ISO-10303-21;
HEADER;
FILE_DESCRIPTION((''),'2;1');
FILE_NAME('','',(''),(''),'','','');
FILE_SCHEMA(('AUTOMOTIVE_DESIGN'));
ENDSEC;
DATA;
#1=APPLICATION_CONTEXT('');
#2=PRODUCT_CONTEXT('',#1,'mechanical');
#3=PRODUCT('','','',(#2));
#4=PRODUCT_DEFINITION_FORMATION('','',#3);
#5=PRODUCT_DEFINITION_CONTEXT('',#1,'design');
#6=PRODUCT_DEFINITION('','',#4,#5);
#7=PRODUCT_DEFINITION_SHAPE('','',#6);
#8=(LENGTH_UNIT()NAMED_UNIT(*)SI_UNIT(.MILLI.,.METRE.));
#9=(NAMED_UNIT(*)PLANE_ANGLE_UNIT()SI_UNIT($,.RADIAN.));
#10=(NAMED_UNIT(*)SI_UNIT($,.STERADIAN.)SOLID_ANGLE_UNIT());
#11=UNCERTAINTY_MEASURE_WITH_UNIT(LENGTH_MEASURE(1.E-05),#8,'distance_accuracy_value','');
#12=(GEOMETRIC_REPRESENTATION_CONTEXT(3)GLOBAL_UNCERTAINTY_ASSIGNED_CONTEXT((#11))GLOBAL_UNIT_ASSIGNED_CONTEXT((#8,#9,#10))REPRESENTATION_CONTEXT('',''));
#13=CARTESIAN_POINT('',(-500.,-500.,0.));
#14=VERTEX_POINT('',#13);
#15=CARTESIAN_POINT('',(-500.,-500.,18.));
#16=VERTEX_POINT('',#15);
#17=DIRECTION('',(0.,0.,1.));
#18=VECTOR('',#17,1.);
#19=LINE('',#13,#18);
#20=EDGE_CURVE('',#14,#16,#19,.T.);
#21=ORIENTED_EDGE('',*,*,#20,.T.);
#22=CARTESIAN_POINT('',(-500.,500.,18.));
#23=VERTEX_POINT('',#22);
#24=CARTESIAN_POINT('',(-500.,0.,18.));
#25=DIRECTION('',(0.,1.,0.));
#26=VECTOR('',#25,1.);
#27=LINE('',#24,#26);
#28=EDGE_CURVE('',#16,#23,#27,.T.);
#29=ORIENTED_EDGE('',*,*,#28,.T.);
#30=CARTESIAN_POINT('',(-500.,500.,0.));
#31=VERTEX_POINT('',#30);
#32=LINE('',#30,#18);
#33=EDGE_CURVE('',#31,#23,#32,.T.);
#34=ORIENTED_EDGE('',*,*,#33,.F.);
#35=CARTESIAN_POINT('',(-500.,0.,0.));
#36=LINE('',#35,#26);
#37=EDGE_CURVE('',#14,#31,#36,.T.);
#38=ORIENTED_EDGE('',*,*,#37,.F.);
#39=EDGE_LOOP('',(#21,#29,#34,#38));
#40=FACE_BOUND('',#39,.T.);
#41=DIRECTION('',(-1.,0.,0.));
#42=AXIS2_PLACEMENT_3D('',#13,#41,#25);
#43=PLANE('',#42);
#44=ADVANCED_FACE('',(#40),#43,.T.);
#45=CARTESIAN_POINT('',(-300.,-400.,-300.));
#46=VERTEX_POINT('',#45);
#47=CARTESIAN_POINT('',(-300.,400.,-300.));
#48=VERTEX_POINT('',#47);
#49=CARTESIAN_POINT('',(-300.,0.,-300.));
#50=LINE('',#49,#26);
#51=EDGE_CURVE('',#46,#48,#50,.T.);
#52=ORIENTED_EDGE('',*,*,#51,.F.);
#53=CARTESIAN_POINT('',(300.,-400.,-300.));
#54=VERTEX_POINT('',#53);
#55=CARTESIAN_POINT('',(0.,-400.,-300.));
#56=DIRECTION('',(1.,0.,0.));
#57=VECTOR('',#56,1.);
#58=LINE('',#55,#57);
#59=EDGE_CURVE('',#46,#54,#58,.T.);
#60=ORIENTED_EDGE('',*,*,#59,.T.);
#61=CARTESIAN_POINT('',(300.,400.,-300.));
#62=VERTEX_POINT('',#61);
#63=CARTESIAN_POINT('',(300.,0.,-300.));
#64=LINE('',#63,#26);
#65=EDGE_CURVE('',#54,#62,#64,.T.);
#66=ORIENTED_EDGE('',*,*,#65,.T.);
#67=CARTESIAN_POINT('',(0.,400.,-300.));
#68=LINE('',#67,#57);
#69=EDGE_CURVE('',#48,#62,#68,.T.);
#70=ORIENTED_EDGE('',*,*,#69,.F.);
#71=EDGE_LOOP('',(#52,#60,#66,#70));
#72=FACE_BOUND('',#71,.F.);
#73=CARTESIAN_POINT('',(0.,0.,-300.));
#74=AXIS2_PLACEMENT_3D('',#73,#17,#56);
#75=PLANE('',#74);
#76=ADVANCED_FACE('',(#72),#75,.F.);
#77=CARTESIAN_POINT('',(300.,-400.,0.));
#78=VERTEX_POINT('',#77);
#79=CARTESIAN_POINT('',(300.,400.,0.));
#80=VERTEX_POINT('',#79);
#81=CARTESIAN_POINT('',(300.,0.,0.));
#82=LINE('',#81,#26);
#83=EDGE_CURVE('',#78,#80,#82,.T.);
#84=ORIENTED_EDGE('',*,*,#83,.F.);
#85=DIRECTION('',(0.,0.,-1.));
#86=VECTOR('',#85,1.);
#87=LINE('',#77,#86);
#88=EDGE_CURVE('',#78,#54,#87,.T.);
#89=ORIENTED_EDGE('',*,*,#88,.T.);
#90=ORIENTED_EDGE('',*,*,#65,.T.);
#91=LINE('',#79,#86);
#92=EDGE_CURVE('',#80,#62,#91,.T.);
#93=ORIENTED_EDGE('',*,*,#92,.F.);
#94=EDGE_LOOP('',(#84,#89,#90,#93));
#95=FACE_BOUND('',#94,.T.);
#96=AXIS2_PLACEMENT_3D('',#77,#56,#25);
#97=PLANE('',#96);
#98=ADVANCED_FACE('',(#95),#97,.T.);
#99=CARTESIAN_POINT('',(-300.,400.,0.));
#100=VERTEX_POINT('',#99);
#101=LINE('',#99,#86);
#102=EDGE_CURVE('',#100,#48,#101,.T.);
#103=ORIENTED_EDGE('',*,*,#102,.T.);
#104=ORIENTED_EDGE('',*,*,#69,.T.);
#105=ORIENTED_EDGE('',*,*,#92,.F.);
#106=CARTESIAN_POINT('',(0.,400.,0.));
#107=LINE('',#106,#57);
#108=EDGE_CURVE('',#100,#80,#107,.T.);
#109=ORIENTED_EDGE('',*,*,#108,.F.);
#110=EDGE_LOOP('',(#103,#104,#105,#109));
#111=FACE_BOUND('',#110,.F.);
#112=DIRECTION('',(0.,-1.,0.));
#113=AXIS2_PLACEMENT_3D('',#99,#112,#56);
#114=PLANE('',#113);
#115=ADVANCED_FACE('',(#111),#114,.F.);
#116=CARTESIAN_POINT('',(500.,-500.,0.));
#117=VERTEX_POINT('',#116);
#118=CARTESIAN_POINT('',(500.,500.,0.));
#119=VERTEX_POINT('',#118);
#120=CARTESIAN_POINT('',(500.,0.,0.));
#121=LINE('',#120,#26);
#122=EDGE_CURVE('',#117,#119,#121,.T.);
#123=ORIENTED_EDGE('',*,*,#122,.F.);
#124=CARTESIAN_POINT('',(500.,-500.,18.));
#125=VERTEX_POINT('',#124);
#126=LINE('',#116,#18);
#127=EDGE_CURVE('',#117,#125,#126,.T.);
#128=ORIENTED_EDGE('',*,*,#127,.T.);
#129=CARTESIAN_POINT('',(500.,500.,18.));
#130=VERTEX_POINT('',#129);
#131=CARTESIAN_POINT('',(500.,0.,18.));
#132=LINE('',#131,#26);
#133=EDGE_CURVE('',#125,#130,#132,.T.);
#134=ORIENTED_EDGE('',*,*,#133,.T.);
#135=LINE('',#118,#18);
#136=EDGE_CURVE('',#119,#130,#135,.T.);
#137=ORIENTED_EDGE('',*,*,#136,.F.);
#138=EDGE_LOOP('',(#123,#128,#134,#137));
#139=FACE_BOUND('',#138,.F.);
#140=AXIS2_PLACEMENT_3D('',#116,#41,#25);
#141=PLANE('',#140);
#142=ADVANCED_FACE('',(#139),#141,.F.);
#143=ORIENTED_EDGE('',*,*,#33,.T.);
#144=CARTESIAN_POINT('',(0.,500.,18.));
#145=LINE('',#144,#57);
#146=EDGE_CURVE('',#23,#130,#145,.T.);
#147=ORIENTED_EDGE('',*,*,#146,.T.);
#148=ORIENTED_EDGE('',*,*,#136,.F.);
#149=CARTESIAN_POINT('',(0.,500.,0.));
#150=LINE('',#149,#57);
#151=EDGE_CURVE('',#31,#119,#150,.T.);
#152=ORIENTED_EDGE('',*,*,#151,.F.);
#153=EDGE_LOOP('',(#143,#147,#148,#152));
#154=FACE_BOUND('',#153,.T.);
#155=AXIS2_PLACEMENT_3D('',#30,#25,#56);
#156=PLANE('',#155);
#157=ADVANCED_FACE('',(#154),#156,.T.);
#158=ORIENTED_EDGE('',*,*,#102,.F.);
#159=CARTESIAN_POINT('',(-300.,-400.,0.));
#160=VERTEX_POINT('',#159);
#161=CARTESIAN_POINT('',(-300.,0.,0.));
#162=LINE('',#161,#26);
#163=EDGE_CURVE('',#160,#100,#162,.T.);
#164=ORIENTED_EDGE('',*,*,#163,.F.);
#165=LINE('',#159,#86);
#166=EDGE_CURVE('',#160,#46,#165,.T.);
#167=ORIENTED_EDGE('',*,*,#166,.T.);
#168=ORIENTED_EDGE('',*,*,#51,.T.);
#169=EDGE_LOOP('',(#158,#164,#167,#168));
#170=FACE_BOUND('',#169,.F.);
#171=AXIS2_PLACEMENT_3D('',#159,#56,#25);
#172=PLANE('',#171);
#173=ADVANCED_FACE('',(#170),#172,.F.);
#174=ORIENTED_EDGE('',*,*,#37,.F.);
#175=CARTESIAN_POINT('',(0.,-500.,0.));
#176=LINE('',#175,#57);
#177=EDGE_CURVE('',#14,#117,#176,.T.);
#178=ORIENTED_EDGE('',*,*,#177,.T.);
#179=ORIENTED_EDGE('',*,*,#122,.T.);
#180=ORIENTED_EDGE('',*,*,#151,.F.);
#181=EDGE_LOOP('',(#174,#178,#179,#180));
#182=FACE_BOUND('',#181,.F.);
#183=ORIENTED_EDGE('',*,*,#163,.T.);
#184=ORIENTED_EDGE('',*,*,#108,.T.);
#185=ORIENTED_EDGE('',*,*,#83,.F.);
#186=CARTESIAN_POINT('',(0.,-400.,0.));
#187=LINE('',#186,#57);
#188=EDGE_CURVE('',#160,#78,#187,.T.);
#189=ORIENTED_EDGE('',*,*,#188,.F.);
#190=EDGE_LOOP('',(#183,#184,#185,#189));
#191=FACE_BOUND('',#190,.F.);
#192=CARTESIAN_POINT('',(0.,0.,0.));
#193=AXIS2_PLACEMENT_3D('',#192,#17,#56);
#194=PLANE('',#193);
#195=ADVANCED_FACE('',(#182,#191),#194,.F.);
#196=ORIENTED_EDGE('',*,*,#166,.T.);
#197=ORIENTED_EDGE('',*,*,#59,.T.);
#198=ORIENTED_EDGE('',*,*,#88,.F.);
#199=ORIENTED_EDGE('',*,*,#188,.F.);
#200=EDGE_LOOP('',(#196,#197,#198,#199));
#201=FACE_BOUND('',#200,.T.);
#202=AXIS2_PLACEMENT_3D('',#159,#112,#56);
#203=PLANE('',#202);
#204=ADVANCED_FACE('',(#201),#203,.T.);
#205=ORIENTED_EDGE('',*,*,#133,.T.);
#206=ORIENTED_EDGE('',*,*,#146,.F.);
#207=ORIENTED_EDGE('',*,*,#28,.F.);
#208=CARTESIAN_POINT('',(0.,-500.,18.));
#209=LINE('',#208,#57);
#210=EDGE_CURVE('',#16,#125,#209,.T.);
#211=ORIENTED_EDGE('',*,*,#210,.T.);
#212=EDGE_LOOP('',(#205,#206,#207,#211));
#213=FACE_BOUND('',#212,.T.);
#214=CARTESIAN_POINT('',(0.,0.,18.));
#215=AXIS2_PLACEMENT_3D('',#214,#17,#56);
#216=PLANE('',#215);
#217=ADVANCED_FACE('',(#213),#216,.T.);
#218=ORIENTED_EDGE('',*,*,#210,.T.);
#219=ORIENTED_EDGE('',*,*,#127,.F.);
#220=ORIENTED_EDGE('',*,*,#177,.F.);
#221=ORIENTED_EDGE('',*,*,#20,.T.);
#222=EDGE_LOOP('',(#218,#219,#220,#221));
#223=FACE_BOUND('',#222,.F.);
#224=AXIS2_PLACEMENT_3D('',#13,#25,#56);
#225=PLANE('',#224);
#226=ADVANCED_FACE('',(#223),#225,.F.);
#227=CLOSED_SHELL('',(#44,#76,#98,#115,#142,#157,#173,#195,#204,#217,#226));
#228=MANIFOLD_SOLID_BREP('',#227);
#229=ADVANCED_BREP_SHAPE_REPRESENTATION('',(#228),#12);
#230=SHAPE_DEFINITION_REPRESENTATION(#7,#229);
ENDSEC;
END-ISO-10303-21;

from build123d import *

# Parameters (mm, degrees)
F2_W     = 1000
F2_H     = 1000
F2_W_2   = 600
F2_H_2   = 800
F3_DEPTH = 18
F4_DEPTH = 300


with BuildPart() as f3:
    # F2 (on Top) → F3 (new body)
    with BuildSketch(Plane.XY):
        Rectangle(F2_W, F2_H)
        Rectangle(F2_W_2, F2_H_2, mode=Mode.SUBTRACT)
        Rectangle(F2_W_2, F2_H_2)
    extrude(amount=F3_DEPTH)

    # F2 (on Top) → F4 (join)
    with BuildSketch(Plane.XY):
        Rectangle(F2_W_2, F2_H_2)
    extrude(amount=-F4_DEPTH)


solid = f3.part
